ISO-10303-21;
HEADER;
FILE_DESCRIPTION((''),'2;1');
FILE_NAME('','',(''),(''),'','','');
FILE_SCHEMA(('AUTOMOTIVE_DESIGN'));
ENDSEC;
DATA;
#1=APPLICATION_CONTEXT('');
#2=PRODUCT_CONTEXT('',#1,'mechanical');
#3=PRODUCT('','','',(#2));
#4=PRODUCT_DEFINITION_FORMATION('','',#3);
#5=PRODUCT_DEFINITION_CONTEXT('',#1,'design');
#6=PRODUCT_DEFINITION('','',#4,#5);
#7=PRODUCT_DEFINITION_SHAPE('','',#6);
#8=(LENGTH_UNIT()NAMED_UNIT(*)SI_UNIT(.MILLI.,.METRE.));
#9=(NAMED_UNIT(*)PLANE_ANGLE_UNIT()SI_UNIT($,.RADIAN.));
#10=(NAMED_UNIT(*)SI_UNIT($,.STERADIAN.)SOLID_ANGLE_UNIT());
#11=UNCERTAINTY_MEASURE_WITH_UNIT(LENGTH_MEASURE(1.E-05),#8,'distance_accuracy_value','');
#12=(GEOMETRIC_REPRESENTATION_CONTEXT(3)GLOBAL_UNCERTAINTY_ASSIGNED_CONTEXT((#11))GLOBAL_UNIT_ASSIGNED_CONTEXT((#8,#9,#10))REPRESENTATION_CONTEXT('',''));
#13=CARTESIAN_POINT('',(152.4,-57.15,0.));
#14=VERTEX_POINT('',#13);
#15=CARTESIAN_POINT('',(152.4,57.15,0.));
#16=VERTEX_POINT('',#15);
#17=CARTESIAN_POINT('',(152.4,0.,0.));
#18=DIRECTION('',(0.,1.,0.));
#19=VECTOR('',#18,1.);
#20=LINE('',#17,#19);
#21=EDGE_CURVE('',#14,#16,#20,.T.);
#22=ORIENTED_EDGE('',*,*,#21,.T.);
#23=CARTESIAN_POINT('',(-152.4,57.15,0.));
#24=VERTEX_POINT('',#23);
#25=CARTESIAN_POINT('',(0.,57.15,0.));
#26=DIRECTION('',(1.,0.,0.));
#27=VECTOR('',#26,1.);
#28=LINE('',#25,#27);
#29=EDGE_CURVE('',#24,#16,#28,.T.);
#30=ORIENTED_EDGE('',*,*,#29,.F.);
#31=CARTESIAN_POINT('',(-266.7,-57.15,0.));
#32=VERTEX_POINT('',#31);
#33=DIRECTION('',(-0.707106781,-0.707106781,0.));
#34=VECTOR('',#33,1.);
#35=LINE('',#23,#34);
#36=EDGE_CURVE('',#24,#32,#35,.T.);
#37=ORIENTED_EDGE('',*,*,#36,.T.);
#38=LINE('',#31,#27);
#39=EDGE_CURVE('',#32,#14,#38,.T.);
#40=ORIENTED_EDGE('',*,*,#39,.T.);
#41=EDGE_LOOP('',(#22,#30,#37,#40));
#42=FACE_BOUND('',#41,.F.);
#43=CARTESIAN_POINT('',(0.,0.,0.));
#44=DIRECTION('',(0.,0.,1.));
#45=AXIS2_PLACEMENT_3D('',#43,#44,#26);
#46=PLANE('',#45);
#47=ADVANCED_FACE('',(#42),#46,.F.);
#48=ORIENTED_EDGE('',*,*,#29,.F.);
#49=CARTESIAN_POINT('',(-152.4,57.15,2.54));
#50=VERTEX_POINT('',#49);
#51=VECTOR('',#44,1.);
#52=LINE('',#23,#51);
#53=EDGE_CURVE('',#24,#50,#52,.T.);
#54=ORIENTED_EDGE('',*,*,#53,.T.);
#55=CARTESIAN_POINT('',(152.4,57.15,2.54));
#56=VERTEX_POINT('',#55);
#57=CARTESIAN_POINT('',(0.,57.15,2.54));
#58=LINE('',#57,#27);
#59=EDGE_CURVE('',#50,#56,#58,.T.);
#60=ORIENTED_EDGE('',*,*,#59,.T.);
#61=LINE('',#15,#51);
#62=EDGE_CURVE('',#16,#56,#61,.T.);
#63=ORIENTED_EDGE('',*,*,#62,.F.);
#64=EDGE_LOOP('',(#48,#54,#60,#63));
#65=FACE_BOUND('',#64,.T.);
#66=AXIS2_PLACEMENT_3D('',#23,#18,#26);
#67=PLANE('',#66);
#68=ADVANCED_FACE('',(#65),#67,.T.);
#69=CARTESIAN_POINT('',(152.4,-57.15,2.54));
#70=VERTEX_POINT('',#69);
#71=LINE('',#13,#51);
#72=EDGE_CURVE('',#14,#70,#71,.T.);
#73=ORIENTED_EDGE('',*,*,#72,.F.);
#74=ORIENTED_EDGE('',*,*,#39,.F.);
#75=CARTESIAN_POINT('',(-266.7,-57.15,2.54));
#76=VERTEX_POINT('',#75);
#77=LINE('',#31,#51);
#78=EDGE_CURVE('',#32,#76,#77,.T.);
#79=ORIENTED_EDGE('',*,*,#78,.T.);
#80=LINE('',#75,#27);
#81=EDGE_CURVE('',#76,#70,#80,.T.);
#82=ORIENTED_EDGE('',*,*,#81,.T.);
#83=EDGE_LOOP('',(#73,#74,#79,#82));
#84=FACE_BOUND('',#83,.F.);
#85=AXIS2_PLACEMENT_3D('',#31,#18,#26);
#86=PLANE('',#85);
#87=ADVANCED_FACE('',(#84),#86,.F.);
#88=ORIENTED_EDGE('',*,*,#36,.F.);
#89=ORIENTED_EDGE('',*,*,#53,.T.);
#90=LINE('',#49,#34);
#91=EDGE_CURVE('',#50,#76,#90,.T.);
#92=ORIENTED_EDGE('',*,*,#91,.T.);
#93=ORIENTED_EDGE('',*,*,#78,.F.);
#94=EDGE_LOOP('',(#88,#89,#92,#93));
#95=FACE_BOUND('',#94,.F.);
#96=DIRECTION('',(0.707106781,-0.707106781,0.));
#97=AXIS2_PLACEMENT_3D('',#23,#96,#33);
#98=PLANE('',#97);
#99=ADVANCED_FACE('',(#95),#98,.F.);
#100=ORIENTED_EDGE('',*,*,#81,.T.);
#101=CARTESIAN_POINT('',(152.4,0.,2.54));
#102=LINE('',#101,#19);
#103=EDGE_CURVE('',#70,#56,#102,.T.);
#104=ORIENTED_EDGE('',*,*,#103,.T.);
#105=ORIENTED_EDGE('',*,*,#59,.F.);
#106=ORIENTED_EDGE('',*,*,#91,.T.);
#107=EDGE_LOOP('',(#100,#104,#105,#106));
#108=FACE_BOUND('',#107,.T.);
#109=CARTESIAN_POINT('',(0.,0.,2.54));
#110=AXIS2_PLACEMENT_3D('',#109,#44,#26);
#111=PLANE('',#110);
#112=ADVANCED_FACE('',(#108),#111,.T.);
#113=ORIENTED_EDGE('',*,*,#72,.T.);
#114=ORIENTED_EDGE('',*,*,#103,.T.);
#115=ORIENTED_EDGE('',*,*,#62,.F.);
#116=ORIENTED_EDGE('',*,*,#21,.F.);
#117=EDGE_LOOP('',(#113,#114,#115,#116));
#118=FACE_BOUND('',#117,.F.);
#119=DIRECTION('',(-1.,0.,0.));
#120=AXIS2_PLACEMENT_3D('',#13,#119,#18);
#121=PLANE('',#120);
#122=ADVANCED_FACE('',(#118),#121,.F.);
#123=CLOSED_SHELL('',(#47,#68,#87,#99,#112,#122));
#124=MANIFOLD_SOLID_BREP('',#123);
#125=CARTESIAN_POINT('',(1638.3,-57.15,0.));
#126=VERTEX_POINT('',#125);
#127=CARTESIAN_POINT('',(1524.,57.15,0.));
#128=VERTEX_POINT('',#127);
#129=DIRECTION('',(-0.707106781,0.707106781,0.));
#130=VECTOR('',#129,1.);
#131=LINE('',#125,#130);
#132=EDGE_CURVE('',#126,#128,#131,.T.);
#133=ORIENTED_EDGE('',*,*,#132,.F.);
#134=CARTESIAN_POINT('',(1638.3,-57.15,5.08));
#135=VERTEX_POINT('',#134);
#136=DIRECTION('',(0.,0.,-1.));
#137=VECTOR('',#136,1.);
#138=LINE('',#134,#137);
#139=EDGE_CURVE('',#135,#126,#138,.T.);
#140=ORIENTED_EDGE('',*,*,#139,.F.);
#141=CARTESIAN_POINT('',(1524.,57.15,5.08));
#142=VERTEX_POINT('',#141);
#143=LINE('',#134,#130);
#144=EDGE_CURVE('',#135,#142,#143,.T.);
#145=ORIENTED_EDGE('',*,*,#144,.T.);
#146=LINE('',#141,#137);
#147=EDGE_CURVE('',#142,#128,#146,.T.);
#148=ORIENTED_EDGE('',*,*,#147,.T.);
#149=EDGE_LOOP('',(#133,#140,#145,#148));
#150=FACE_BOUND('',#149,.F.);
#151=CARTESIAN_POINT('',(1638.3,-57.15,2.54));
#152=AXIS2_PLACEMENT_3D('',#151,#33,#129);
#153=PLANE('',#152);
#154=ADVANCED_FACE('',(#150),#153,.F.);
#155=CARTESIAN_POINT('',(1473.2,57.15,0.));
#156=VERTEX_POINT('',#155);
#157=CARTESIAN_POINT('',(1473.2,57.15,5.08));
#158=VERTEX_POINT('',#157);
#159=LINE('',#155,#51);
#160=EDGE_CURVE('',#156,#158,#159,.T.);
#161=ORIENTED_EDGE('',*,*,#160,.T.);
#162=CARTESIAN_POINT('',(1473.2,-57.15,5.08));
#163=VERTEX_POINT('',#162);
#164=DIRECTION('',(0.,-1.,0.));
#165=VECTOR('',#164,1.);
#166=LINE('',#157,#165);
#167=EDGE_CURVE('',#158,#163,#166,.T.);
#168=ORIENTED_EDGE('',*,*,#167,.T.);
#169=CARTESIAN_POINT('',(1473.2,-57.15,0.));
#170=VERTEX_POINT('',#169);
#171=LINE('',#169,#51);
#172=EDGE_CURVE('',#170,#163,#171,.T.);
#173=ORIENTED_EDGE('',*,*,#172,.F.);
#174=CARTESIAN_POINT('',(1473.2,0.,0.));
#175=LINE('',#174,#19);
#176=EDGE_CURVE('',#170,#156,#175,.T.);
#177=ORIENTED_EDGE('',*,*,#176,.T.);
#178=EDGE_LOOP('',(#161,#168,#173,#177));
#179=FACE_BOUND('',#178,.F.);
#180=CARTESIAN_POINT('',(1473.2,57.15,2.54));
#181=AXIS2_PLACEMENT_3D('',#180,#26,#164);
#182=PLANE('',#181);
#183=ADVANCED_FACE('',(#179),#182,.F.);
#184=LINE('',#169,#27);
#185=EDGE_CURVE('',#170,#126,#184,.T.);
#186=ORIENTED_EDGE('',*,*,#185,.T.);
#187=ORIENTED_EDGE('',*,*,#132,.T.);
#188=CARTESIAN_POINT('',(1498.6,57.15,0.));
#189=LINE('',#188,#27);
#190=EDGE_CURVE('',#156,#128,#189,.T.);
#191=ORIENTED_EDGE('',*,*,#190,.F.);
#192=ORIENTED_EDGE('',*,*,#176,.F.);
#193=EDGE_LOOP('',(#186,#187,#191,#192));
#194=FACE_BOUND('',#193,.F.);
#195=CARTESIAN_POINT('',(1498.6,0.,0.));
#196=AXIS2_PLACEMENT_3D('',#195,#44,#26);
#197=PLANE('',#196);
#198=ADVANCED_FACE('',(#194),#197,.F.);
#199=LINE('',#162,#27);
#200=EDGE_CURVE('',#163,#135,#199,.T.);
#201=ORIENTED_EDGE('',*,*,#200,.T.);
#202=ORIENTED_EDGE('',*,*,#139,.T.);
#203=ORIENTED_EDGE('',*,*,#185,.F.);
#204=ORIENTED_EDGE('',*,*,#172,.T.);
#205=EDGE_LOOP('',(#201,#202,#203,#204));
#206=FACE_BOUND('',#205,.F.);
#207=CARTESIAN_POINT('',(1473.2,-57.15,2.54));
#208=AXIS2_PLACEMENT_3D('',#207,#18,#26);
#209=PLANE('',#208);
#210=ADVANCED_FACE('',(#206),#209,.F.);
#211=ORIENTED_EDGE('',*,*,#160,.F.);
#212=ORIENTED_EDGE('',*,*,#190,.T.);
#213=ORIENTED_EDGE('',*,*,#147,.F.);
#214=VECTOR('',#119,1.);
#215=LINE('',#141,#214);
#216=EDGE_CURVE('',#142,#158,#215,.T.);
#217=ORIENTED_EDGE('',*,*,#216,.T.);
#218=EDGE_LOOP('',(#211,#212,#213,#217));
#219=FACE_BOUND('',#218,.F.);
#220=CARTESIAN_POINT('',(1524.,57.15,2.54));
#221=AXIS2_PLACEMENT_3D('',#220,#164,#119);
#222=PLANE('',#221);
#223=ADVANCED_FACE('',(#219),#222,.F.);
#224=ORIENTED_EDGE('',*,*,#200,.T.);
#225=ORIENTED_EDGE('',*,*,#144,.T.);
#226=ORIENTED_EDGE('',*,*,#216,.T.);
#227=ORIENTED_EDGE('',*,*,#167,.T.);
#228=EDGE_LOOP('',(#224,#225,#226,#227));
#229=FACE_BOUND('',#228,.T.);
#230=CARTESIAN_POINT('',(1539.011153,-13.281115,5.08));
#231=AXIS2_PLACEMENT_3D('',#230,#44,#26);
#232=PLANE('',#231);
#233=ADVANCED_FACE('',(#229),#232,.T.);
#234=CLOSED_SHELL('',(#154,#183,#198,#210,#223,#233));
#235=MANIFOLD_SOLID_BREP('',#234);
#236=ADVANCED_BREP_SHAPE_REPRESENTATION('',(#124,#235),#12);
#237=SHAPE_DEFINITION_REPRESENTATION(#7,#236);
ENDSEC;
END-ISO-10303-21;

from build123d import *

# Parameters (mm, degrees)
F0_W     = 50.8
F0_H     = 114.3
F0_W_2   = 304.8
F1_DEPTH = 2.54
F2_DEPTH = 2.54


with BuildPart() as f1:
    # F0 (on Top) → F1 (new body)
    with BuildSketch(Plane.XY):
        with Locations((1498.6, 0)):
            Rectangle(F0_W, F0_H)
        Rectangle(F0_W_2, F0_H)
        Polygon((-266.7, -57.15), (-152.4, -57.15), (-152.4, 57.15), align=None)
        Polygon((1638.3, -57.15), (1524, 57.15), (1524, -57.15), align=None)
    extrude(amount=F1_DEPTH)

    # F1_face (on face) → F2 (join)
    with BuildSketch(Plane(origin=(1532.217647, -10.085294, 2.54), x_dir=(1, 0, 0), z_dir=(0, 0, 1))):
        Polygon((-8.217647, 67.235294), (-59.017647, 67.235294), (-59.017647, -47.064706), (106.082353, -47.064706), align=None)
    extrude(amount=F2_DEPTH)


solid = f1.part
